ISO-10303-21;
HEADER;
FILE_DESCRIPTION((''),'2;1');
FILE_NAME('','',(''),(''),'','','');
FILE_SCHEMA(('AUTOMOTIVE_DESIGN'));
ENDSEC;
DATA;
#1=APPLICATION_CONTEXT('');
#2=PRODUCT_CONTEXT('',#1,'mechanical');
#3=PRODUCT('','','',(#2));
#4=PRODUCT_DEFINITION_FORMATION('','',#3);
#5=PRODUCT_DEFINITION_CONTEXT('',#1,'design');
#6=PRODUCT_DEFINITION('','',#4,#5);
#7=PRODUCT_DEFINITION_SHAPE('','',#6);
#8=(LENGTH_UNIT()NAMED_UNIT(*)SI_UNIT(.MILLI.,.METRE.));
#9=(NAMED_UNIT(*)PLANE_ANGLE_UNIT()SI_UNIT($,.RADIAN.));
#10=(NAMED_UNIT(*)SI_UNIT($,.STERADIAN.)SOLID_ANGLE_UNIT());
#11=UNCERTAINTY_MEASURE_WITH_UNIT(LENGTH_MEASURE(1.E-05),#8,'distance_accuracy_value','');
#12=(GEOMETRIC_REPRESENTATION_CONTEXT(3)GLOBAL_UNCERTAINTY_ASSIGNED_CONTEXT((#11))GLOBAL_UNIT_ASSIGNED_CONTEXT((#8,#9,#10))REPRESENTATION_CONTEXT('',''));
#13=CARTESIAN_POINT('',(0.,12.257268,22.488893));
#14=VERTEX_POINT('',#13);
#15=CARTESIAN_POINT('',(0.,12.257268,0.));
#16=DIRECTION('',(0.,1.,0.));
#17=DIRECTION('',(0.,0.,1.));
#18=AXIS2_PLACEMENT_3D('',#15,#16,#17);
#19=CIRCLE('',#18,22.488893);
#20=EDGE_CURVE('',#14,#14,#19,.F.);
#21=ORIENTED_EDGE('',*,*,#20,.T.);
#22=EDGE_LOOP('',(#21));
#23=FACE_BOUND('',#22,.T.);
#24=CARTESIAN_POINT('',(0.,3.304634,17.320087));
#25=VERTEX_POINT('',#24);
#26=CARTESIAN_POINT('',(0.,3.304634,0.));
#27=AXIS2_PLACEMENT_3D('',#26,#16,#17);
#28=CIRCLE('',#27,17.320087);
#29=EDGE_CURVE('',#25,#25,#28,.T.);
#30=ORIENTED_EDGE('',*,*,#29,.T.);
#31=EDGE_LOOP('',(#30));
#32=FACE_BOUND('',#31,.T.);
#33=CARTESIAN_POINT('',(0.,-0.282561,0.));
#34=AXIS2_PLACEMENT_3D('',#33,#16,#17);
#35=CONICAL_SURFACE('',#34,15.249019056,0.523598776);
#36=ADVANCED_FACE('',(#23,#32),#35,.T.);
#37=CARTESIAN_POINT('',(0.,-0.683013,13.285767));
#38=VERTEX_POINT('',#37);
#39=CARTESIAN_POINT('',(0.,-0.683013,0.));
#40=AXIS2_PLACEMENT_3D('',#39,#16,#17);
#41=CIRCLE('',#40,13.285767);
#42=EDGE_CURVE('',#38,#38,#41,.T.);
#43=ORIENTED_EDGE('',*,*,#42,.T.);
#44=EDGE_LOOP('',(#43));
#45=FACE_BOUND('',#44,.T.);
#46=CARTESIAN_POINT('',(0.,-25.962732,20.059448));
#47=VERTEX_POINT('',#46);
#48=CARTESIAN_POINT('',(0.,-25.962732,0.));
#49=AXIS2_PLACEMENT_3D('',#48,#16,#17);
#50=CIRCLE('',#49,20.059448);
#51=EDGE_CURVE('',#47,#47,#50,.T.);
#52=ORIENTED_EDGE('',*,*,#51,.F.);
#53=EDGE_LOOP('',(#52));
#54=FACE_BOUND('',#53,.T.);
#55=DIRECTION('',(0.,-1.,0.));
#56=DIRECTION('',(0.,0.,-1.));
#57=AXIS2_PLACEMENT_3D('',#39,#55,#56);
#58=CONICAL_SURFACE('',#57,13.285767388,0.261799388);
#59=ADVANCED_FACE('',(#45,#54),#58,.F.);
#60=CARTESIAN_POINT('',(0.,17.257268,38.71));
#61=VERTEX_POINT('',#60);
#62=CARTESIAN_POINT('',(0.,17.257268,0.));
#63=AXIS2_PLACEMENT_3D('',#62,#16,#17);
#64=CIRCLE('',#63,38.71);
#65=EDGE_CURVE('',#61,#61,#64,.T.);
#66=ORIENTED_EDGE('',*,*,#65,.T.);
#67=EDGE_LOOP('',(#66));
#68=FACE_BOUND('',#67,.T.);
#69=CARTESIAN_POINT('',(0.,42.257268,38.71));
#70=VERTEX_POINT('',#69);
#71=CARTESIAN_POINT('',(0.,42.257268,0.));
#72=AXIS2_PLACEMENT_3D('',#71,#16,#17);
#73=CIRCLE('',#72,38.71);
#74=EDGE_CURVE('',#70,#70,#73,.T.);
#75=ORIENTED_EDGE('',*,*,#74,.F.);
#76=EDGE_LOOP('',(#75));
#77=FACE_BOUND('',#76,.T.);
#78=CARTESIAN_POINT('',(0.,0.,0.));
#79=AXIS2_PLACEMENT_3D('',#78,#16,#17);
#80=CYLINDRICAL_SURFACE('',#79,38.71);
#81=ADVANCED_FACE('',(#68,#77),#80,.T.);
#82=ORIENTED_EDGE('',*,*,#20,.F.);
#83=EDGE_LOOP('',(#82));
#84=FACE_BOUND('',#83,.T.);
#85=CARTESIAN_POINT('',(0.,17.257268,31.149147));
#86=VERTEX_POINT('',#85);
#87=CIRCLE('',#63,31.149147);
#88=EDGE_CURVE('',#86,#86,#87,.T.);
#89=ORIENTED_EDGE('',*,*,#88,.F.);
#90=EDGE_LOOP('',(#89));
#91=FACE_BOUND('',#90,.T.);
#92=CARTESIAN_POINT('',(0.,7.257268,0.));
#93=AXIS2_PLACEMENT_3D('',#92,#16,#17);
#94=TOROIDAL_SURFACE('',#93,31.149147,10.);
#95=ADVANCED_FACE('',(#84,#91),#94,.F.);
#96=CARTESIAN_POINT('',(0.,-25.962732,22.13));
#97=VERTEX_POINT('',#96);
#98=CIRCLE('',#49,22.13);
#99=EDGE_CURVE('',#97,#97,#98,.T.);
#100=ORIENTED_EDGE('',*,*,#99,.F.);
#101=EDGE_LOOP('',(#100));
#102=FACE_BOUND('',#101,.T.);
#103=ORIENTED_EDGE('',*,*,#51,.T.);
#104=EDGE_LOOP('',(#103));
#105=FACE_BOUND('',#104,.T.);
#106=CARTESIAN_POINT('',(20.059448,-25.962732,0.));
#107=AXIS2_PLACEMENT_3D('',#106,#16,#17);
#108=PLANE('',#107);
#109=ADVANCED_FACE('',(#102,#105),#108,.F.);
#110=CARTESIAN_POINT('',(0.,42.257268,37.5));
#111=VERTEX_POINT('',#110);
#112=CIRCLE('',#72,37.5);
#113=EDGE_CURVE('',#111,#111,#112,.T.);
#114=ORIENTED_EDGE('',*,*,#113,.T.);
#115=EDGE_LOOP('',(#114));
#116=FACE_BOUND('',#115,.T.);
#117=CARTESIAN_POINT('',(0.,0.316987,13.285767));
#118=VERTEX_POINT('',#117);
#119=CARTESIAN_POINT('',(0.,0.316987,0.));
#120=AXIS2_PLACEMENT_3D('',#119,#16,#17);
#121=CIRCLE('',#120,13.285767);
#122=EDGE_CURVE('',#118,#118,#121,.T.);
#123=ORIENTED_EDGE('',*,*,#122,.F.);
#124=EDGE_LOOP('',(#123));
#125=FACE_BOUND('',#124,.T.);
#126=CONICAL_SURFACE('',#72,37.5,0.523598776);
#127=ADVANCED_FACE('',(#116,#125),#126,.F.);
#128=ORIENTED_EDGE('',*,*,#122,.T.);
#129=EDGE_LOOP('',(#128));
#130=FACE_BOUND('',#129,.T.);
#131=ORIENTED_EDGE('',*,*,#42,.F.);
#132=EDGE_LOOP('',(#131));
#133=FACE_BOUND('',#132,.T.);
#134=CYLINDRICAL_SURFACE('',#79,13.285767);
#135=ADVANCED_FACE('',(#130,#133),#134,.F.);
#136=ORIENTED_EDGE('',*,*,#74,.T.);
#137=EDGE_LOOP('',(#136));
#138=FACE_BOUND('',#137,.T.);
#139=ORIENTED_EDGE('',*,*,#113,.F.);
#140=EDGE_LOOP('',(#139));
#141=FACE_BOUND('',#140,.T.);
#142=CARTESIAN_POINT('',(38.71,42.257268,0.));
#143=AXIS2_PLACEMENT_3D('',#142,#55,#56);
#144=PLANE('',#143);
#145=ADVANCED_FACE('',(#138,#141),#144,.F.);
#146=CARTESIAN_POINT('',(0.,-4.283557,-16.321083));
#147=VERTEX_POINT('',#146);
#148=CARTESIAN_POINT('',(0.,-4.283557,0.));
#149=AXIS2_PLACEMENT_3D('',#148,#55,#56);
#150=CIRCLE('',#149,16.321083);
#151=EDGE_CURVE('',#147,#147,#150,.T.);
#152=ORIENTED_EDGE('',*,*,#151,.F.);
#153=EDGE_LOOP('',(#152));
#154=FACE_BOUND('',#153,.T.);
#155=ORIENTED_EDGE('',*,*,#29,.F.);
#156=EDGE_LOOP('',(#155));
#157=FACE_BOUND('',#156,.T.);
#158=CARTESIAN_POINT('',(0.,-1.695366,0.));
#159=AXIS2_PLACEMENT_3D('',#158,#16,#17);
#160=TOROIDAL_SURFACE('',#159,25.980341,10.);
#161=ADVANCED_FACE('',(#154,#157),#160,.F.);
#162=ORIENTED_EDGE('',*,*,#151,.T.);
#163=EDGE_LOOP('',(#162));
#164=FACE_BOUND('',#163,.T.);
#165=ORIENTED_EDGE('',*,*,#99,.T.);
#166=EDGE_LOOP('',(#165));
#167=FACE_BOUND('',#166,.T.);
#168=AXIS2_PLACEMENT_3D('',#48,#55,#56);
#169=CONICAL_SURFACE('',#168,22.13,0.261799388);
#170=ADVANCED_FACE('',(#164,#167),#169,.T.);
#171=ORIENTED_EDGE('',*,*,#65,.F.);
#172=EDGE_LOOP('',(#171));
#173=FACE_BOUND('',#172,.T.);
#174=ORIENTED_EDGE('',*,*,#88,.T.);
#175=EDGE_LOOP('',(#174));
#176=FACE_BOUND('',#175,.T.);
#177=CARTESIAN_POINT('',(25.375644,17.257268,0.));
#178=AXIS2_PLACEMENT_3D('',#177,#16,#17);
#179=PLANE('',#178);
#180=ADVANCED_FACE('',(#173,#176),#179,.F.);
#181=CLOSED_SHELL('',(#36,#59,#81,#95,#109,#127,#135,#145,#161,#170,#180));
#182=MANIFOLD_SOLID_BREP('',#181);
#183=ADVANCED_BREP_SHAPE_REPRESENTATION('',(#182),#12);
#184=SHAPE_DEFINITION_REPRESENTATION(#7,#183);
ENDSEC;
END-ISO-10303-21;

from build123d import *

# Parameters (mm, degrees)
FILLET1_R = 10


with BuildPart() as part:
    # Sketch1 → Revolve1 (revolve)
    with BuildSketch(Plane.XY, mode=Mode.PRIVATE) as revolve1_sk:
        Polygon((37.5, 42.257268448), (13.285767388, 0.316987298), (13.285767388, -0.683012702), (20.059447639, -25.962731552), (22.13, -25.962731552), (15.249019056, -0.282561065), (25.375644347, 17.257268448), (38.71, 17.257268448), (38.71, 42.257268448), align=None)
    revolve(revolve1_sk.sketch.rotate(Axis((0, 0, 0), (0, -1, 0)), 90), axis=Axis((0, 0, 0), (0, -1, 0)))

    # Fillet1
    fillet1_edges = [part.edges().sort_by_distance(p)[0] for p in [
        (0, 17.257268448, -25.375644347),
        (0, -0.282561065, -15.249019056),
    ]]
    fillet(fillet1_edges, radius=FILLET1_R)


solid = part.part
